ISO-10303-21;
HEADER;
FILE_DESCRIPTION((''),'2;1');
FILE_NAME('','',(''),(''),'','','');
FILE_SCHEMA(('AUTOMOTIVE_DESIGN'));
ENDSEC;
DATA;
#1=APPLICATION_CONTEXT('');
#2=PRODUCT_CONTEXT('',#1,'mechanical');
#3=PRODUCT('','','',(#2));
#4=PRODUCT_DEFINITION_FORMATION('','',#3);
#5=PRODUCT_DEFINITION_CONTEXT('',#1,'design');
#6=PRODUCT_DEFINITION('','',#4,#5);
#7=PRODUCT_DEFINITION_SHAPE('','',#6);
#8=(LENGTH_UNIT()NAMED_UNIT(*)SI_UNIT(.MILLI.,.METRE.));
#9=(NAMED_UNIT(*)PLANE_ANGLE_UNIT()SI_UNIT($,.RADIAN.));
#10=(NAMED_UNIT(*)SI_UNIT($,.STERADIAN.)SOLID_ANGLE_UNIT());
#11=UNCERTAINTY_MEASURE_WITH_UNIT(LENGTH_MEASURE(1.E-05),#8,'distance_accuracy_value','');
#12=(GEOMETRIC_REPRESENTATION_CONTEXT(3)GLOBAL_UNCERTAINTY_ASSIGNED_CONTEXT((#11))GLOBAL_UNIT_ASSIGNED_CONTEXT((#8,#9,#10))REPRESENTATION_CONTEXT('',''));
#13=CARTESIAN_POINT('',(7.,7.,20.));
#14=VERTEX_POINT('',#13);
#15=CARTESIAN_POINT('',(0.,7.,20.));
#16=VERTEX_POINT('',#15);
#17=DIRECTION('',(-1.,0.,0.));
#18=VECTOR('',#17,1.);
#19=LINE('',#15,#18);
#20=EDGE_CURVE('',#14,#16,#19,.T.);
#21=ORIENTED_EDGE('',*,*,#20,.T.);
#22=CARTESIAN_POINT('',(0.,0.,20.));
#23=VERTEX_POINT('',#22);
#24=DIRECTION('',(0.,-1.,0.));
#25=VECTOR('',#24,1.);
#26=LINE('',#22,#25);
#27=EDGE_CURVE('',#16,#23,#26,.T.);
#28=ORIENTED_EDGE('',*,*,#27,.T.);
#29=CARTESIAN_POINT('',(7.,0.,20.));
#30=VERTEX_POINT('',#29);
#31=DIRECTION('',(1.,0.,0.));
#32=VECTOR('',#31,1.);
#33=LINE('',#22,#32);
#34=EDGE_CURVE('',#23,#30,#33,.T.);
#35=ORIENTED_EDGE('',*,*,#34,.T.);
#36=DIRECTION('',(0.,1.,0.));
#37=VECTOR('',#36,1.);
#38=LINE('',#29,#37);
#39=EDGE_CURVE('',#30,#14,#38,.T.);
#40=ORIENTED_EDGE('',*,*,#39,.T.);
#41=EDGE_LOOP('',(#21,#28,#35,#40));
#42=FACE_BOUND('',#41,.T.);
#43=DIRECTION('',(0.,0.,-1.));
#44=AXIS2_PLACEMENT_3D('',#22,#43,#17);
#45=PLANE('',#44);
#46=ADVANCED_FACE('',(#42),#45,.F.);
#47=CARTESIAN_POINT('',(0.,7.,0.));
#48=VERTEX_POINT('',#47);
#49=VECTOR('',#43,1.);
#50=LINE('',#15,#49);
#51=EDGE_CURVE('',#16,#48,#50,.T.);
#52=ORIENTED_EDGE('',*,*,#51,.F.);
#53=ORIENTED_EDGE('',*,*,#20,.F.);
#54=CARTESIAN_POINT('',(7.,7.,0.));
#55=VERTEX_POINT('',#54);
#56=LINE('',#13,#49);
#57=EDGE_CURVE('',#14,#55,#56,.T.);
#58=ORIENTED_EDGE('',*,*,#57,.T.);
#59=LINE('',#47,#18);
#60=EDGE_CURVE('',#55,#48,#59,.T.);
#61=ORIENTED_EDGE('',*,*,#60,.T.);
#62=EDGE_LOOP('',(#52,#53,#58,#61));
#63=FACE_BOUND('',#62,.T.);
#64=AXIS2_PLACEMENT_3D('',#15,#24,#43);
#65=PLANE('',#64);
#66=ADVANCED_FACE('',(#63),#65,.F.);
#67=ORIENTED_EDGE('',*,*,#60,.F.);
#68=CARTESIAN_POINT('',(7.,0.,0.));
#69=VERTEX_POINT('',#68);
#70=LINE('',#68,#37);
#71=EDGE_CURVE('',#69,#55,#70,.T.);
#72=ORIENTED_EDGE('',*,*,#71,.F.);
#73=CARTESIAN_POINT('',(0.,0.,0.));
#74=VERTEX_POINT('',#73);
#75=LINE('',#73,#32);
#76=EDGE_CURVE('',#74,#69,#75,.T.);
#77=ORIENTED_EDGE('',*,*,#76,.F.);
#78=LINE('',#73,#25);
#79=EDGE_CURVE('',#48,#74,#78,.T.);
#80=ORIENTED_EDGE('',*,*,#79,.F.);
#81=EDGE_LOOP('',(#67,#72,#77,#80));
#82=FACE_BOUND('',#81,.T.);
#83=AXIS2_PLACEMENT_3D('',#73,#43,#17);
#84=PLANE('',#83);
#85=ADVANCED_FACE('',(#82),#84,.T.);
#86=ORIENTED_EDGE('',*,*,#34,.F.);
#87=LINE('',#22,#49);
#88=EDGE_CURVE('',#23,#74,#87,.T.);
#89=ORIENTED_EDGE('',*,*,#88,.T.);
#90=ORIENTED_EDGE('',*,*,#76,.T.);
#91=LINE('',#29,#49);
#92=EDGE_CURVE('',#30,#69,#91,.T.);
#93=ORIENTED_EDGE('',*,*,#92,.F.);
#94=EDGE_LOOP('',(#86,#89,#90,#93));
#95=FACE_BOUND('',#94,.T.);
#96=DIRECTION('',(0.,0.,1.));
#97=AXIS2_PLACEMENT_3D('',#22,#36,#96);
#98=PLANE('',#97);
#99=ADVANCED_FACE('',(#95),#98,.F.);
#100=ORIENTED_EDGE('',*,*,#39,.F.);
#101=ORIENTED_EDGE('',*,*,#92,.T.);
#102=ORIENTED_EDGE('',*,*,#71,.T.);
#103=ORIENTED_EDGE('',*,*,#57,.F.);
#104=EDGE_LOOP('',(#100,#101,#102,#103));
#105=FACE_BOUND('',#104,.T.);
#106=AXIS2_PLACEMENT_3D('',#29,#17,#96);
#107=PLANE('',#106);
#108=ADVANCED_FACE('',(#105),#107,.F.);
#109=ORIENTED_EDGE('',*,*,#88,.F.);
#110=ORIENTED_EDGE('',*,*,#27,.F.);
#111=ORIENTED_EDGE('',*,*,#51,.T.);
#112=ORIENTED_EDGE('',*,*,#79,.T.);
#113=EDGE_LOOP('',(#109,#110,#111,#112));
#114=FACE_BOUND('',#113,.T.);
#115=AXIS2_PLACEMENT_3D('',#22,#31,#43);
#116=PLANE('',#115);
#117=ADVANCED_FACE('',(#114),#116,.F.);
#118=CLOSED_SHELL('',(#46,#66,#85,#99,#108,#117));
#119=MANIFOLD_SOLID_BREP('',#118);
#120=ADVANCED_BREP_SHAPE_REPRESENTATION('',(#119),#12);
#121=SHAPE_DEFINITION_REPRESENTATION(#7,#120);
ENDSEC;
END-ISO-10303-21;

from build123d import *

# Parameters (mm, degrees)
SKETCH1_W           = 7
SKETCH1_H           = 7
BOSS_EXTRUDE1_DEPTH = 20


with BuildPart() as part:
    # Sketch1 → Boss-Extrude1 (new body)
    with BuildSketch(Plane.XY):
        with Locations((3.5, 3.5)):
            Rectangle(SKETCH1_W, SKETCH1_H)
    extrude(amount=BOSS_EXTRUDE1_DEPTH)


solid = part.part
